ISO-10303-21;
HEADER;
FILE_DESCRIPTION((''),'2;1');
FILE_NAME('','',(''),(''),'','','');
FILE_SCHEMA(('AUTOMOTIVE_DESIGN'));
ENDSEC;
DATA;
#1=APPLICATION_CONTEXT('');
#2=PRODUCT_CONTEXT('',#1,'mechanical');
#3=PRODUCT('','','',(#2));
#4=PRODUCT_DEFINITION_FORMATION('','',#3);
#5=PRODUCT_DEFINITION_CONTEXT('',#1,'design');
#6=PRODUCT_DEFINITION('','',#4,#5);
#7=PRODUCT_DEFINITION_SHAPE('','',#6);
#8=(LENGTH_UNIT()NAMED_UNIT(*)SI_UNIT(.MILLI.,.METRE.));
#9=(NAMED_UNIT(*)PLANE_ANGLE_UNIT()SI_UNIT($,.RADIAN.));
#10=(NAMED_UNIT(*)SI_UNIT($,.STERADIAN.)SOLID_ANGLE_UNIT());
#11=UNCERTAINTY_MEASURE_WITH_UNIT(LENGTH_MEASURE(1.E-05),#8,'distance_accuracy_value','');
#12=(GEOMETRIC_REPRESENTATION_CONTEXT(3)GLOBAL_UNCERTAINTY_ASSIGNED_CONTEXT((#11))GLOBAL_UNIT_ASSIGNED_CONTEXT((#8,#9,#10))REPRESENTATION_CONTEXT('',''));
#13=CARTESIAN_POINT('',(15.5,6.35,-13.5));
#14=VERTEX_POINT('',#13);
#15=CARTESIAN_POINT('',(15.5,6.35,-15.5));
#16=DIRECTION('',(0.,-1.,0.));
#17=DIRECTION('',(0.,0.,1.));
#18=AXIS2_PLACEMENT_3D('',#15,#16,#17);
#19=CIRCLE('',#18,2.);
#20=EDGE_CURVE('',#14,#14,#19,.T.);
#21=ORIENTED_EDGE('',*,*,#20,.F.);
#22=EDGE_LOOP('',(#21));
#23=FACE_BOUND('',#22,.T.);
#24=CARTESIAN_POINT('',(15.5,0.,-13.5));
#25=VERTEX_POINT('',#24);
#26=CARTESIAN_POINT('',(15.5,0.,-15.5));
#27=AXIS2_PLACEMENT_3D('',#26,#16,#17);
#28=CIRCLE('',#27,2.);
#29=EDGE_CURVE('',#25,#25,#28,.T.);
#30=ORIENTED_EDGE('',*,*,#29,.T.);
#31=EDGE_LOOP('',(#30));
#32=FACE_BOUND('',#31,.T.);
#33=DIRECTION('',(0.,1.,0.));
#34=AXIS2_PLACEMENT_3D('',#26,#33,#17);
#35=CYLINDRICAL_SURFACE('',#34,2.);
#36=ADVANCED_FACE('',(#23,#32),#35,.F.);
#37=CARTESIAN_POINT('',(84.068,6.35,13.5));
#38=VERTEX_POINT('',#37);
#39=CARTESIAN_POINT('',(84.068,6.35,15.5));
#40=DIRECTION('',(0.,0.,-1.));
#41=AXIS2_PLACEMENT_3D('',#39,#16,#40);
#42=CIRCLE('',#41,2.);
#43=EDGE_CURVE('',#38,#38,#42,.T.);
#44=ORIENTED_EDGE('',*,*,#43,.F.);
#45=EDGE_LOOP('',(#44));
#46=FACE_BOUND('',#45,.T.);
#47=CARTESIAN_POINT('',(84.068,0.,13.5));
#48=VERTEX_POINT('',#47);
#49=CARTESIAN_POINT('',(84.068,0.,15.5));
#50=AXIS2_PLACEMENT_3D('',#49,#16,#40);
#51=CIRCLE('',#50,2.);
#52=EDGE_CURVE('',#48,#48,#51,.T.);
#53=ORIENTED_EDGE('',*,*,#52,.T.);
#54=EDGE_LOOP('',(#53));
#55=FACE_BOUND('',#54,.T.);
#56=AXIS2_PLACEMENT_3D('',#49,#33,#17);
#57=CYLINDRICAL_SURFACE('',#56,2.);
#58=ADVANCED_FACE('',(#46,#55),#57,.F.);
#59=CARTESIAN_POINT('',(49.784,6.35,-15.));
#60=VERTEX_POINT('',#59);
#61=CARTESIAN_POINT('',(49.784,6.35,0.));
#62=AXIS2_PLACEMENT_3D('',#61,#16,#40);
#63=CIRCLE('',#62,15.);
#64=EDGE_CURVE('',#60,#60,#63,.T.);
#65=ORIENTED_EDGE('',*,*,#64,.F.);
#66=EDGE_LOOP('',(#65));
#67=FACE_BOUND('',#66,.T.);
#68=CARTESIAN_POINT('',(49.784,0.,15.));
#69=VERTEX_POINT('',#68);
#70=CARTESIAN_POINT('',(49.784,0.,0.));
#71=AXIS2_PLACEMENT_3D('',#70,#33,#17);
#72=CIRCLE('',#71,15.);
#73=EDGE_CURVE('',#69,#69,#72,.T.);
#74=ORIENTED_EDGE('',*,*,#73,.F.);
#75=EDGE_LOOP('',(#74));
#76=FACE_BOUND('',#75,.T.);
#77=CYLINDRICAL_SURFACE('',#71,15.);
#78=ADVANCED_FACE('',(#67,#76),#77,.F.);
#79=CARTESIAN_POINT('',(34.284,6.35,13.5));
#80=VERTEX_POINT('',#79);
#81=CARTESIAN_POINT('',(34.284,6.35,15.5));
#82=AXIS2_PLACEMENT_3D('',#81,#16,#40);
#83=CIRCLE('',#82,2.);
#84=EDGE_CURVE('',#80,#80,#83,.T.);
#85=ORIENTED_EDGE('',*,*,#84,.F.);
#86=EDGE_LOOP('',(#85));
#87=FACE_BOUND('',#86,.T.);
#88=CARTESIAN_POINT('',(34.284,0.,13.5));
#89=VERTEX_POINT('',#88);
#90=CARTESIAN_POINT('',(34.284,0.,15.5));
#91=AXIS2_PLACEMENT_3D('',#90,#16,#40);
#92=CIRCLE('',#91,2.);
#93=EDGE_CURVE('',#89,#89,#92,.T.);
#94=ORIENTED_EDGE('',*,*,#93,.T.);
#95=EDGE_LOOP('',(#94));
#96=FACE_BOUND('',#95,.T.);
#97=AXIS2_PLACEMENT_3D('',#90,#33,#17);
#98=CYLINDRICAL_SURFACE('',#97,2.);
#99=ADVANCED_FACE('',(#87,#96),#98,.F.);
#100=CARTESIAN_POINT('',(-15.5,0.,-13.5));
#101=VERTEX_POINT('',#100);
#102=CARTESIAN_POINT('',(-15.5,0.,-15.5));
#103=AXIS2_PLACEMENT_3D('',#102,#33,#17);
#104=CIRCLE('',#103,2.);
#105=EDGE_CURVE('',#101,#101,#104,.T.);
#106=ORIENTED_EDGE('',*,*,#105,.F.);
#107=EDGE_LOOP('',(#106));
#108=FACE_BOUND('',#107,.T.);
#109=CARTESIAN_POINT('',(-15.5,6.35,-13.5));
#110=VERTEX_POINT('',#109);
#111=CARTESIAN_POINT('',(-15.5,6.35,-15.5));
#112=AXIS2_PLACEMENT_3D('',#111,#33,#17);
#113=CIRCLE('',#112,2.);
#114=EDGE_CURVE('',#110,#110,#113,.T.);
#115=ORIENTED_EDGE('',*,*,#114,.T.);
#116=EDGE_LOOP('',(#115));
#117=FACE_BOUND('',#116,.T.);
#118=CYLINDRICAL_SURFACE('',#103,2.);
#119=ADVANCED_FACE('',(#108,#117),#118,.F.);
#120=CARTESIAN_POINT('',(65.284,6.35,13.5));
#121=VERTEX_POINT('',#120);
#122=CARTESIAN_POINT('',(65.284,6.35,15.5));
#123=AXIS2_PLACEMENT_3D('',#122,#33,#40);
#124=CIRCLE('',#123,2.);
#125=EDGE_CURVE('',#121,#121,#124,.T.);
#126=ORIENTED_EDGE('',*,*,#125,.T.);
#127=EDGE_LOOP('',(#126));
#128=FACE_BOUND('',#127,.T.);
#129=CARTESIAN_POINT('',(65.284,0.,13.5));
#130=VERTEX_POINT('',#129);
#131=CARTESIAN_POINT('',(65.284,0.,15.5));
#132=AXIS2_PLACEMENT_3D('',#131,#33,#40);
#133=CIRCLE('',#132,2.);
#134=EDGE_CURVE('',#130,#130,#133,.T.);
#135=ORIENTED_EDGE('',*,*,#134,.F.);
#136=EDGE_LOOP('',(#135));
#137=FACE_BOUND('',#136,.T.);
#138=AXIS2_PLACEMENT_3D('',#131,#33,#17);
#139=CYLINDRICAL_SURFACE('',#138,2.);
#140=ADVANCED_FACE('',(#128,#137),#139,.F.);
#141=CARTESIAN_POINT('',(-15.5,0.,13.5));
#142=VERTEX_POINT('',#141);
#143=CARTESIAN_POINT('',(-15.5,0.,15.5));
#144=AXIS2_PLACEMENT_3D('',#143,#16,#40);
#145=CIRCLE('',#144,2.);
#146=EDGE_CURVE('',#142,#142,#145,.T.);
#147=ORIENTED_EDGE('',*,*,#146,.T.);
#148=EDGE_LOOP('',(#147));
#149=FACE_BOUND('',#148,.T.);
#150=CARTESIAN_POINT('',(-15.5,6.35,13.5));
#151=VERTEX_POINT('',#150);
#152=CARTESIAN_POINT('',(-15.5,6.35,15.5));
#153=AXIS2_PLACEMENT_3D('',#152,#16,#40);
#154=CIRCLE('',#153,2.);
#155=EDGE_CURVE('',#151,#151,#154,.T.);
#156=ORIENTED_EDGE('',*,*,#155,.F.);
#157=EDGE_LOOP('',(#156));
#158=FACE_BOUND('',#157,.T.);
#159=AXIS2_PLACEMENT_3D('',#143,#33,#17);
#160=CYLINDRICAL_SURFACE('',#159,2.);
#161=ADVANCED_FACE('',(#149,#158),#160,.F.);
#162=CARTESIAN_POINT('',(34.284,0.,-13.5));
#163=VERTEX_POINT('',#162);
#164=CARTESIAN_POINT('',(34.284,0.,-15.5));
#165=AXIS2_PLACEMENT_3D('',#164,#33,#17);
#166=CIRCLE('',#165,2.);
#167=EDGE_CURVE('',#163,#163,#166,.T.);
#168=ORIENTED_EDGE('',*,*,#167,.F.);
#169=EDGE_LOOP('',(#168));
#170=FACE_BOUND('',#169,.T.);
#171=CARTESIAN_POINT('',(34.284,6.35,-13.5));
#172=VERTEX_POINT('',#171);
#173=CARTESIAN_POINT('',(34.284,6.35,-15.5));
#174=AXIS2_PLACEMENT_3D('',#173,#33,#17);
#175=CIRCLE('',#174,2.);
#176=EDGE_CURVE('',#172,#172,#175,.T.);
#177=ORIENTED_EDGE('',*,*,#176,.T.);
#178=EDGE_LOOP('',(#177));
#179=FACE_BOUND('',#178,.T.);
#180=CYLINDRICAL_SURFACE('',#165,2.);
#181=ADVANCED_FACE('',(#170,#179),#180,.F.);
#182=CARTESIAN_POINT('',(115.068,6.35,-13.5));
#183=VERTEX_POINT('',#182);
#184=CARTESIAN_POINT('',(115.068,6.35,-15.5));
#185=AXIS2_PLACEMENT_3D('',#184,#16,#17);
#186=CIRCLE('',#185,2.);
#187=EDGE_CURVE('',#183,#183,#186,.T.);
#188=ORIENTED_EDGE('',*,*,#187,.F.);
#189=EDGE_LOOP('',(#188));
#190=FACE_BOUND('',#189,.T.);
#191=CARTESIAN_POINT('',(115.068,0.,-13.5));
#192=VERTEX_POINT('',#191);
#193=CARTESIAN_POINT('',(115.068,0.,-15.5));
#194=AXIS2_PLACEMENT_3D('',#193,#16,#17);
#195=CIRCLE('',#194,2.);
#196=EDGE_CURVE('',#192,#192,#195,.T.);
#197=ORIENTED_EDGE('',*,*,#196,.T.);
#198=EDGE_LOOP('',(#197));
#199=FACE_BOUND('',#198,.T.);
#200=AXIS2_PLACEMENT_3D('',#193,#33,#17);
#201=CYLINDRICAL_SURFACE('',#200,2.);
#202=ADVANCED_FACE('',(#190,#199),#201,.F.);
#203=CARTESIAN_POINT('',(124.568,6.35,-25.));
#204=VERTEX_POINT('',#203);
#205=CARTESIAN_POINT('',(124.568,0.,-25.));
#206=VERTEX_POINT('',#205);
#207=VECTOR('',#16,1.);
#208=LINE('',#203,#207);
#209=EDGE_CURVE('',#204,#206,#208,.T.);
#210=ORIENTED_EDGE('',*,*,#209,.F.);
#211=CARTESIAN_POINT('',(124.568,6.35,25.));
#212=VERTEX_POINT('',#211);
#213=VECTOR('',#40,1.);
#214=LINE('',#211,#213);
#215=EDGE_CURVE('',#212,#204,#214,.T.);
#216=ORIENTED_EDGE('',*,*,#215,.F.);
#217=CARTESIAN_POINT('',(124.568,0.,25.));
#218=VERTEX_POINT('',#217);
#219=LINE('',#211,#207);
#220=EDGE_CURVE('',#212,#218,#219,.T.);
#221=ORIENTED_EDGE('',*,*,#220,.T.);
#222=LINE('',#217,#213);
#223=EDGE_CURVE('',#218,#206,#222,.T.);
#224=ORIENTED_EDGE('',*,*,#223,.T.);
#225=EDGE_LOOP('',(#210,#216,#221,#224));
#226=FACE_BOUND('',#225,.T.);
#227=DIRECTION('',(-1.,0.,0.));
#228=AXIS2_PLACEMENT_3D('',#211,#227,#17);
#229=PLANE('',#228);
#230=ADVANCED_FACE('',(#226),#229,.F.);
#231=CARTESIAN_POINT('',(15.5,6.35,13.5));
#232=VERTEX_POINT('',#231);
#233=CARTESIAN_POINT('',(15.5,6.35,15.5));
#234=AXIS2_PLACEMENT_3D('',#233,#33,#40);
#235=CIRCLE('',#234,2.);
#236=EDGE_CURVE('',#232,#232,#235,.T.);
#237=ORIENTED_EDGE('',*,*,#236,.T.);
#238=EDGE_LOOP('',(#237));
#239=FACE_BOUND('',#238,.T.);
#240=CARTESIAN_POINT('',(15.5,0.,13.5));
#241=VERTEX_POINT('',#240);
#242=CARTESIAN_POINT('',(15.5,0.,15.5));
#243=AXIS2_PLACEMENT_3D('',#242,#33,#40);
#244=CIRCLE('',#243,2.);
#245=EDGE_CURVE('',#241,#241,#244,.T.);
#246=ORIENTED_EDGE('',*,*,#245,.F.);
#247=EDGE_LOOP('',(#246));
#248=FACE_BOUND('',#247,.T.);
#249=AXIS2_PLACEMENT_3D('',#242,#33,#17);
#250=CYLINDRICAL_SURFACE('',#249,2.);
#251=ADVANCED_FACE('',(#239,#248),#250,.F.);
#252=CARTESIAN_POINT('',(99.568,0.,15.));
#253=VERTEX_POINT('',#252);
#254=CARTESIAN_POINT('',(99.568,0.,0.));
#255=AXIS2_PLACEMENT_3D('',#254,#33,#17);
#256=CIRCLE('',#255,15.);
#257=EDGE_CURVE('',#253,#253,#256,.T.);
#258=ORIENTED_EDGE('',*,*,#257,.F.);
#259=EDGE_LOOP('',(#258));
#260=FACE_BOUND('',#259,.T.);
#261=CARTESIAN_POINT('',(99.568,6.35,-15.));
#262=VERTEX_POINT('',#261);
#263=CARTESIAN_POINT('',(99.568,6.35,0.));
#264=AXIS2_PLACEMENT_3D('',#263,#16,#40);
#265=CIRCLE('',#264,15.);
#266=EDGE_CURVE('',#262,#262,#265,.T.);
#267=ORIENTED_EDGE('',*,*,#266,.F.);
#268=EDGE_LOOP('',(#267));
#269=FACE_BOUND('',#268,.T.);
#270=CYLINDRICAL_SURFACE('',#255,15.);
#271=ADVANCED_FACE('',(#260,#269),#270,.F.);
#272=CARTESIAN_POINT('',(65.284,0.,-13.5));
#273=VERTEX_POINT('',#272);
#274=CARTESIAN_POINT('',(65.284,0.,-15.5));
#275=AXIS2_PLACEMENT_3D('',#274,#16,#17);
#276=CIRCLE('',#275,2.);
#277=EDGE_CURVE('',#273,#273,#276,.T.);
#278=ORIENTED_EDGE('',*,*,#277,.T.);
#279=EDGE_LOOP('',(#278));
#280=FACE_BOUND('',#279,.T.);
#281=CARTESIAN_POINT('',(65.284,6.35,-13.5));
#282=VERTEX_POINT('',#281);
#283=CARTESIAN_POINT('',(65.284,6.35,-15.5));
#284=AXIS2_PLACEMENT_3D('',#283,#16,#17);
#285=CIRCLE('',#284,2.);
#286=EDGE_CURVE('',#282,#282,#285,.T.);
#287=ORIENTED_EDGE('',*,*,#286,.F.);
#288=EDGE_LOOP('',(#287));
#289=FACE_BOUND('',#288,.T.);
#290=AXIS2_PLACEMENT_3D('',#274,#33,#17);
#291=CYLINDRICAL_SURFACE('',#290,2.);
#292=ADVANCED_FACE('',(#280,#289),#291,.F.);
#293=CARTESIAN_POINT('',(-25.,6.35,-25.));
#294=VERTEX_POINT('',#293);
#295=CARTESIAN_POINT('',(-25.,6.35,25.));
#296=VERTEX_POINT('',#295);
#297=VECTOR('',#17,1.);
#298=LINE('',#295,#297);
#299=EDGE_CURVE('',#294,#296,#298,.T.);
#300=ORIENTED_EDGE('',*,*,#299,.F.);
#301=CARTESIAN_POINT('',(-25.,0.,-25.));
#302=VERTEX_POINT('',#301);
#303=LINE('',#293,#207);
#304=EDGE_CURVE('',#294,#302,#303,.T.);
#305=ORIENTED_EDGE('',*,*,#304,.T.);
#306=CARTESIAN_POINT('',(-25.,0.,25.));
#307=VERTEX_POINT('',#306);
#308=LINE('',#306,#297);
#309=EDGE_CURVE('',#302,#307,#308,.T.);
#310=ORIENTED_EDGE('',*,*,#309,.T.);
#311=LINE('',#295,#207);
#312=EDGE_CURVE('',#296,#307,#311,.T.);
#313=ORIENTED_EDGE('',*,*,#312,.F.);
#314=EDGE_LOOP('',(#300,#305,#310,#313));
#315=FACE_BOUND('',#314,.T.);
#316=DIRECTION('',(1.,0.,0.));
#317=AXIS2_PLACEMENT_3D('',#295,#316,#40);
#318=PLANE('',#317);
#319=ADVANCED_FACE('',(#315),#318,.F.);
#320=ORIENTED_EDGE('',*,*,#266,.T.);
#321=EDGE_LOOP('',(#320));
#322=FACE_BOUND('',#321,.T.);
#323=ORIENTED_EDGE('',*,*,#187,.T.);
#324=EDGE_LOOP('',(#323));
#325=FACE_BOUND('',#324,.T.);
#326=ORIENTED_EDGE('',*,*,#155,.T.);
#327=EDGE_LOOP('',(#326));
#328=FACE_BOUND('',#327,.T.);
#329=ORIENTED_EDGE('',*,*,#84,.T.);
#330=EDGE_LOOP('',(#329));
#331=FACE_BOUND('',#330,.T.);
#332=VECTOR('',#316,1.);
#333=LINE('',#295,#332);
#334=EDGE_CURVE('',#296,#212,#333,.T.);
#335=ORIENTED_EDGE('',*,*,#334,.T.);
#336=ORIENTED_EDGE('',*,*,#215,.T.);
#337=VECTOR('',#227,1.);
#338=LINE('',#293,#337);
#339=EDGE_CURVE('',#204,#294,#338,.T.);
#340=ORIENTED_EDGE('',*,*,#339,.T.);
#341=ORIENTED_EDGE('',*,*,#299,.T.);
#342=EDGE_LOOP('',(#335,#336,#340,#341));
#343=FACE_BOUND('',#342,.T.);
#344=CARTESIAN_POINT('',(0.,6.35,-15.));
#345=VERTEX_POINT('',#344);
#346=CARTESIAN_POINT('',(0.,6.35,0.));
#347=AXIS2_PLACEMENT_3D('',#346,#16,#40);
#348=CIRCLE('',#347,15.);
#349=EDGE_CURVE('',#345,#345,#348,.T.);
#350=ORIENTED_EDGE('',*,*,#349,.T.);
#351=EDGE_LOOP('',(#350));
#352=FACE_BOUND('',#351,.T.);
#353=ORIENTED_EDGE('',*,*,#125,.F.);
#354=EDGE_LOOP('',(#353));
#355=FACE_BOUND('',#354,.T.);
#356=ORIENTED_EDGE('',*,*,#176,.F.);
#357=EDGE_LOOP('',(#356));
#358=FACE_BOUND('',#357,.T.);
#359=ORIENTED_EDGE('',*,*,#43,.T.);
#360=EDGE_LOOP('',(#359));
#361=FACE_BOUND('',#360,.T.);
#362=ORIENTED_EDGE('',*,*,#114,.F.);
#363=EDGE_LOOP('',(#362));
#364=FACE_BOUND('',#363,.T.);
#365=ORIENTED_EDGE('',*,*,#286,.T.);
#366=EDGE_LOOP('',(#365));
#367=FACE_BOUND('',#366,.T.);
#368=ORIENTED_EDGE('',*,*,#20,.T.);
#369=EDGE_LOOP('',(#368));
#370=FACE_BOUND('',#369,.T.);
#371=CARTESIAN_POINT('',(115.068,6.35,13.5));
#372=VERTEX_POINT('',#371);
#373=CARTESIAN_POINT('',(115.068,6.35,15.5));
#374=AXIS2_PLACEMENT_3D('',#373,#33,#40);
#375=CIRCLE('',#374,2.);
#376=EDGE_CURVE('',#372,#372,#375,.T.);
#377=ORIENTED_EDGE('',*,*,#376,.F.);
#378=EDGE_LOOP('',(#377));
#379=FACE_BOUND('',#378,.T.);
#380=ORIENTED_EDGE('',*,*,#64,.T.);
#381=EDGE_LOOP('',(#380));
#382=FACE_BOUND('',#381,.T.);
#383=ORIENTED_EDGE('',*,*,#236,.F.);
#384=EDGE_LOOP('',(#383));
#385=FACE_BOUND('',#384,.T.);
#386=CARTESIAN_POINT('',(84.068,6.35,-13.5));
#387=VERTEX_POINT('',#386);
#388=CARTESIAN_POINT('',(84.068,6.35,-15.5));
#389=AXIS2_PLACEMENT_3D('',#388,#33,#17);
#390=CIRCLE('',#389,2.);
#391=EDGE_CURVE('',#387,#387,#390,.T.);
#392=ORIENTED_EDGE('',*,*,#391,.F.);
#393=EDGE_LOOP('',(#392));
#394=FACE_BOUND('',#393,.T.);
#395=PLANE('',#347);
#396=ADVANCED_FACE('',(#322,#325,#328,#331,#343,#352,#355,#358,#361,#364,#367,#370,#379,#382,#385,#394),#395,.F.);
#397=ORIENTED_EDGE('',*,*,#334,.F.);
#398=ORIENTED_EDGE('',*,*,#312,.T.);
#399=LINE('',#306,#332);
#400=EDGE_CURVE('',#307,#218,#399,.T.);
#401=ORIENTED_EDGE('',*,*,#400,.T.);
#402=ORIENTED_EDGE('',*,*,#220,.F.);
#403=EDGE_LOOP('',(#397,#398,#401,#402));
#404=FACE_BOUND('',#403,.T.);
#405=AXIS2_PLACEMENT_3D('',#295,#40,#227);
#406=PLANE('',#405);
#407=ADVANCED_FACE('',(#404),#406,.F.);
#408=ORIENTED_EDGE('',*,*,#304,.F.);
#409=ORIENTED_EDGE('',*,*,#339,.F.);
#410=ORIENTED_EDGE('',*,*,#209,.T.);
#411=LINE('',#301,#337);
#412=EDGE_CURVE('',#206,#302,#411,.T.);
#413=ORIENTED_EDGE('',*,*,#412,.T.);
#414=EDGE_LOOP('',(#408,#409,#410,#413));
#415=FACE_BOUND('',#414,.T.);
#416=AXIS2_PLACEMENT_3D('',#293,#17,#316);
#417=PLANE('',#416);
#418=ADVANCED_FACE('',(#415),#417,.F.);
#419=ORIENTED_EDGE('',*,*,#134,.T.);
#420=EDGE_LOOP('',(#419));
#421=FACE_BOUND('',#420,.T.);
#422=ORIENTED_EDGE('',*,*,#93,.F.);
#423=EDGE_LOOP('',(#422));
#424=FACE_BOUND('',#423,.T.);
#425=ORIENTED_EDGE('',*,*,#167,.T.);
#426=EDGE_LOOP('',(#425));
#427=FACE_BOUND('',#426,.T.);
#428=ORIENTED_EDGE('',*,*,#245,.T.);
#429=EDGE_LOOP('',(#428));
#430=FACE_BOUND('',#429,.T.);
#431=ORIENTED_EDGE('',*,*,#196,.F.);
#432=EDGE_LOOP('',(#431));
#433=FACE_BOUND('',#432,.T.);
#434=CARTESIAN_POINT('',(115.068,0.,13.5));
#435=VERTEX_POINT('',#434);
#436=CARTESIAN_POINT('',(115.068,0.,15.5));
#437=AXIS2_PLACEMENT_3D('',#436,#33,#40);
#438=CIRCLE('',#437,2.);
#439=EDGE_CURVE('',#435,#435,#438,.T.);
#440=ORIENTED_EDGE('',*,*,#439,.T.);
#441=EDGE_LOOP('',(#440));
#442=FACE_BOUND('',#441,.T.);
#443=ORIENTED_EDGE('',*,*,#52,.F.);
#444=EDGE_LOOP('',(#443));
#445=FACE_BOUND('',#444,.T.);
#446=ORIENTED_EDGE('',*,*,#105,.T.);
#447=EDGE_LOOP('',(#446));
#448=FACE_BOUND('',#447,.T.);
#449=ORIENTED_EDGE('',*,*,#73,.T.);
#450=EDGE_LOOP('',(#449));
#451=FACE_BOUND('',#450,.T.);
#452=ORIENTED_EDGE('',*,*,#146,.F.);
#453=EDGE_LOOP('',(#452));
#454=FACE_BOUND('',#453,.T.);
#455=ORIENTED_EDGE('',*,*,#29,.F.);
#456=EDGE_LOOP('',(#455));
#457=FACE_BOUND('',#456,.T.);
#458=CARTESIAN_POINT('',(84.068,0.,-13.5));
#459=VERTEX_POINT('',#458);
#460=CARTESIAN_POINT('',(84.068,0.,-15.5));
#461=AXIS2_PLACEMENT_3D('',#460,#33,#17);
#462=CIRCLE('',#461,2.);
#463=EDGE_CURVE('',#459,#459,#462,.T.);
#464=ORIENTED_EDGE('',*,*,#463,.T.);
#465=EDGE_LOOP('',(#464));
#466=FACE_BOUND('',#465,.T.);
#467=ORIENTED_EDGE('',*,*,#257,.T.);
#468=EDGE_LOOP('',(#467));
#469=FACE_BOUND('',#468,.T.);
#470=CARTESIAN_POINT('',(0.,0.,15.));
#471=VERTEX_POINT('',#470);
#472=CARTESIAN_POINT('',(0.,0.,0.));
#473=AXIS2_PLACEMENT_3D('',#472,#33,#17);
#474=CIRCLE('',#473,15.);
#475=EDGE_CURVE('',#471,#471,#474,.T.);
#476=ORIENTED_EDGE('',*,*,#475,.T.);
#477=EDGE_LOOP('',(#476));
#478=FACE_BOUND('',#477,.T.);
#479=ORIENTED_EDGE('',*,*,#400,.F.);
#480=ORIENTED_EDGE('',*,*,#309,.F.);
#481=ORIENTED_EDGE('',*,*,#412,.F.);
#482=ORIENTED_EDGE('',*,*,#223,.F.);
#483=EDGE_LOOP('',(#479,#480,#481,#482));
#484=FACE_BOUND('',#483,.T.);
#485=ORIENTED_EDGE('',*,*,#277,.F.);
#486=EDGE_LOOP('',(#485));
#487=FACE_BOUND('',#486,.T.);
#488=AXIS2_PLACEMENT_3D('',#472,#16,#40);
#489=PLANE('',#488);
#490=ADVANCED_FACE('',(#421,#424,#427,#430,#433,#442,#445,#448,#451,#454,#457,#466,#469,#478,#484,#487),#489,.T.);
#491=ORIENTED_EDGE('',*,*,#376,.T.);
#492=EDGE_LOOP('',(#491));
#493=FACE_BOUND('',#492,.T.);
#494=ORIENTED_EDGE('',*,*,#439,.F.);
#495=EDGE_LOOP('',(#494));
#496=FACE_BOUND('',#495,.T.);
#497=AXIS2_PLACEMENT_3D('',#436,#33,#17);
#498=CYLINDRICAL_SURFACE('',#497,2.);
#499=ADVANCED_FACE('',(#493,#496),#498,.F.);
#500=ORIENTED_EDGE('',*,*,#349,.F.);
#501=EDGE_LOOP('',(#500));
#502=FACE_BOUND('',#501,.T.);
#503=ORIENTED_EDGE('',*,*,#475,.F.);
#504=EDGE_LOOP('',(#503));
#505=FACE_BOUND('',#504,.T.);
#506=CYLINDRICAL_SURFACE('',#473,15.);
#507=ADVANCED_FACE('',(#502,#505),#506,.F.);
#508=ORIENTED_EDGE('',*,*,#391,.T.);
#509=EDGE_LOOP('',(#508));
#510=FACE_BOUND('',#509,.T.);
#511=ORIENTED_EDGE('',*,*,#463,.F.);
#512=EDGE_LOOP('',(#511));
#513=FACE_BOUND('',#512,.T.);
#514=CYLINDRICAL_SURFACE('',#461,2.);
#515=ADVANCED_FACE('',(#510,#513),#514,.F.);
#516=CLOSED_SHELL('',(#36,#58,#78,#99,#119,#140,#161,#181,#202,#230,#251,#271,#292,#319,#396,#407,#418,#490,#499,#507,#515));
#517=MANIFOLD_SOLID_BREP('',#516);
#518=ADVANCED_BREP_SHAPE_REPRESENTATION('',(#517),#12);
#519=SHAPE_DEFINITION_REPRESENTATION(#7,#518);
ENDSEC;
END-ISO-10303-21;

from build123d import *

# Parameters (mm, degrees)
SKETCH1_W               = 50
SKETCH1_H               = 50
BOSS_EXTRUDE1_DEPTH     = 6.35
SKETCH2_R               = 15
CUT_EXTRUDE1_DEPTH      = 1
CUT_EXTRUDE1_DEPTH_BACK = 7.35
SKETCH3_R               = 2
CUT_EXTRUDE2_DEPTH      = 7.35
MIRROR2_COPY_1_SKETCH_R = 2
MIRROR2_COPY_1_DEPTH    = 7.35
LPATTERN2_COUNT         = 3
LPATTERN2_PITCH         = 49.784


with BuildPart() as part:
    # Sketch1 → Boss-Extrude1 (new body)
    with BuildSketch(Plane(origin=(0, 0, 0), x_dir=(1, 0, 0), z_dir=(0, 1, 0))):
        Rectangle(SKETCH1_W, SKETCH1_H)
    extrude(amount=BOSS_EXTRUDE1_DEPTH)

    # Sketch2 → Cut-Extrude1 (cut, two sides)
    with BuildSketch(Plane(origin=(0, 6.35, 0), x_dir=(1, 0, 0), z_dir=(0, 1, 0))) as cut_extrude1_sk:
        Circle(SKETCH2_R)
    extrude(amount=CUT_EXTRUDE1_DEPTH, mode=Mode.SUBTRACT)
    extrude(cut_extrude1_sk.sketch, amount=-CUT_EXTRUDE1_DEPTH_BACK, mode=Mode.SUBTRACT)

    # Sketch3 → Cut-Extrude2 (cut, through all)
    with BuildSketch(Plane(origin=(0, 6.35, 0), x_dir=(1, 0, 0), z_dir=(0, 1, 0))):
        with Locations((-15.5, 15.5)):
            Circle(SKETCH3_R)
    cut_extrude2 = extrude(amount=-CUT_EXTRUDE2_DEPTH, mode=Mode.SUBTRACT)

    # Mirror1: Cut-Extrude2 across plane
    add(cut_extrude2.mirror(Plane(origin=(0, 0, 0), x_dir=(0, 0, 1), z_dir=(1, 0, 0))), mode=Mode.SUBTRACT)

    # Mirror2: Cut-Extrude2 across plane
    add(cut_extrude2.mirror(Plane.XY), mode=Mode.SUBTRACT)

    # Mirror2 copy 1 sketch → Mirror2 copy 1 (cut, through all)
    with BuildSketch(Plane(origin=(0, 6.35, 0), x_dir=(-1, 0, 0), z_dir=(0, 1, 0))):
        with Locations((-15.5, 15.5)):
            Circle(MIRROR2_COPY_1_SKETCH_R)
    extrude(amount=-MIRROR2_COPY_1_DEPTH, mode=Mode.SUBTRACT)


with BuildPart() as lpattern2_1:
    # LPattern2: pattern copy
    add(part.part.moved(Location(Vector(1, 0, 0) * (1 * LPATTERN2_PITCH))))


with BuildPart() as lpattern2_2:
    # LPattern2: pattern copy
    add(part.part.moved(Location(Vector(1, 0, 0) * (2 * LPATTERN2_PITCH))))


with BuildPart() as part_1:
    add(part.part)

    # Combine1: union LPattern2_1, LPattern2_2
    add(lpattern2_1.part)
    add(lpattern2_2.part)


solid = part_1.part
